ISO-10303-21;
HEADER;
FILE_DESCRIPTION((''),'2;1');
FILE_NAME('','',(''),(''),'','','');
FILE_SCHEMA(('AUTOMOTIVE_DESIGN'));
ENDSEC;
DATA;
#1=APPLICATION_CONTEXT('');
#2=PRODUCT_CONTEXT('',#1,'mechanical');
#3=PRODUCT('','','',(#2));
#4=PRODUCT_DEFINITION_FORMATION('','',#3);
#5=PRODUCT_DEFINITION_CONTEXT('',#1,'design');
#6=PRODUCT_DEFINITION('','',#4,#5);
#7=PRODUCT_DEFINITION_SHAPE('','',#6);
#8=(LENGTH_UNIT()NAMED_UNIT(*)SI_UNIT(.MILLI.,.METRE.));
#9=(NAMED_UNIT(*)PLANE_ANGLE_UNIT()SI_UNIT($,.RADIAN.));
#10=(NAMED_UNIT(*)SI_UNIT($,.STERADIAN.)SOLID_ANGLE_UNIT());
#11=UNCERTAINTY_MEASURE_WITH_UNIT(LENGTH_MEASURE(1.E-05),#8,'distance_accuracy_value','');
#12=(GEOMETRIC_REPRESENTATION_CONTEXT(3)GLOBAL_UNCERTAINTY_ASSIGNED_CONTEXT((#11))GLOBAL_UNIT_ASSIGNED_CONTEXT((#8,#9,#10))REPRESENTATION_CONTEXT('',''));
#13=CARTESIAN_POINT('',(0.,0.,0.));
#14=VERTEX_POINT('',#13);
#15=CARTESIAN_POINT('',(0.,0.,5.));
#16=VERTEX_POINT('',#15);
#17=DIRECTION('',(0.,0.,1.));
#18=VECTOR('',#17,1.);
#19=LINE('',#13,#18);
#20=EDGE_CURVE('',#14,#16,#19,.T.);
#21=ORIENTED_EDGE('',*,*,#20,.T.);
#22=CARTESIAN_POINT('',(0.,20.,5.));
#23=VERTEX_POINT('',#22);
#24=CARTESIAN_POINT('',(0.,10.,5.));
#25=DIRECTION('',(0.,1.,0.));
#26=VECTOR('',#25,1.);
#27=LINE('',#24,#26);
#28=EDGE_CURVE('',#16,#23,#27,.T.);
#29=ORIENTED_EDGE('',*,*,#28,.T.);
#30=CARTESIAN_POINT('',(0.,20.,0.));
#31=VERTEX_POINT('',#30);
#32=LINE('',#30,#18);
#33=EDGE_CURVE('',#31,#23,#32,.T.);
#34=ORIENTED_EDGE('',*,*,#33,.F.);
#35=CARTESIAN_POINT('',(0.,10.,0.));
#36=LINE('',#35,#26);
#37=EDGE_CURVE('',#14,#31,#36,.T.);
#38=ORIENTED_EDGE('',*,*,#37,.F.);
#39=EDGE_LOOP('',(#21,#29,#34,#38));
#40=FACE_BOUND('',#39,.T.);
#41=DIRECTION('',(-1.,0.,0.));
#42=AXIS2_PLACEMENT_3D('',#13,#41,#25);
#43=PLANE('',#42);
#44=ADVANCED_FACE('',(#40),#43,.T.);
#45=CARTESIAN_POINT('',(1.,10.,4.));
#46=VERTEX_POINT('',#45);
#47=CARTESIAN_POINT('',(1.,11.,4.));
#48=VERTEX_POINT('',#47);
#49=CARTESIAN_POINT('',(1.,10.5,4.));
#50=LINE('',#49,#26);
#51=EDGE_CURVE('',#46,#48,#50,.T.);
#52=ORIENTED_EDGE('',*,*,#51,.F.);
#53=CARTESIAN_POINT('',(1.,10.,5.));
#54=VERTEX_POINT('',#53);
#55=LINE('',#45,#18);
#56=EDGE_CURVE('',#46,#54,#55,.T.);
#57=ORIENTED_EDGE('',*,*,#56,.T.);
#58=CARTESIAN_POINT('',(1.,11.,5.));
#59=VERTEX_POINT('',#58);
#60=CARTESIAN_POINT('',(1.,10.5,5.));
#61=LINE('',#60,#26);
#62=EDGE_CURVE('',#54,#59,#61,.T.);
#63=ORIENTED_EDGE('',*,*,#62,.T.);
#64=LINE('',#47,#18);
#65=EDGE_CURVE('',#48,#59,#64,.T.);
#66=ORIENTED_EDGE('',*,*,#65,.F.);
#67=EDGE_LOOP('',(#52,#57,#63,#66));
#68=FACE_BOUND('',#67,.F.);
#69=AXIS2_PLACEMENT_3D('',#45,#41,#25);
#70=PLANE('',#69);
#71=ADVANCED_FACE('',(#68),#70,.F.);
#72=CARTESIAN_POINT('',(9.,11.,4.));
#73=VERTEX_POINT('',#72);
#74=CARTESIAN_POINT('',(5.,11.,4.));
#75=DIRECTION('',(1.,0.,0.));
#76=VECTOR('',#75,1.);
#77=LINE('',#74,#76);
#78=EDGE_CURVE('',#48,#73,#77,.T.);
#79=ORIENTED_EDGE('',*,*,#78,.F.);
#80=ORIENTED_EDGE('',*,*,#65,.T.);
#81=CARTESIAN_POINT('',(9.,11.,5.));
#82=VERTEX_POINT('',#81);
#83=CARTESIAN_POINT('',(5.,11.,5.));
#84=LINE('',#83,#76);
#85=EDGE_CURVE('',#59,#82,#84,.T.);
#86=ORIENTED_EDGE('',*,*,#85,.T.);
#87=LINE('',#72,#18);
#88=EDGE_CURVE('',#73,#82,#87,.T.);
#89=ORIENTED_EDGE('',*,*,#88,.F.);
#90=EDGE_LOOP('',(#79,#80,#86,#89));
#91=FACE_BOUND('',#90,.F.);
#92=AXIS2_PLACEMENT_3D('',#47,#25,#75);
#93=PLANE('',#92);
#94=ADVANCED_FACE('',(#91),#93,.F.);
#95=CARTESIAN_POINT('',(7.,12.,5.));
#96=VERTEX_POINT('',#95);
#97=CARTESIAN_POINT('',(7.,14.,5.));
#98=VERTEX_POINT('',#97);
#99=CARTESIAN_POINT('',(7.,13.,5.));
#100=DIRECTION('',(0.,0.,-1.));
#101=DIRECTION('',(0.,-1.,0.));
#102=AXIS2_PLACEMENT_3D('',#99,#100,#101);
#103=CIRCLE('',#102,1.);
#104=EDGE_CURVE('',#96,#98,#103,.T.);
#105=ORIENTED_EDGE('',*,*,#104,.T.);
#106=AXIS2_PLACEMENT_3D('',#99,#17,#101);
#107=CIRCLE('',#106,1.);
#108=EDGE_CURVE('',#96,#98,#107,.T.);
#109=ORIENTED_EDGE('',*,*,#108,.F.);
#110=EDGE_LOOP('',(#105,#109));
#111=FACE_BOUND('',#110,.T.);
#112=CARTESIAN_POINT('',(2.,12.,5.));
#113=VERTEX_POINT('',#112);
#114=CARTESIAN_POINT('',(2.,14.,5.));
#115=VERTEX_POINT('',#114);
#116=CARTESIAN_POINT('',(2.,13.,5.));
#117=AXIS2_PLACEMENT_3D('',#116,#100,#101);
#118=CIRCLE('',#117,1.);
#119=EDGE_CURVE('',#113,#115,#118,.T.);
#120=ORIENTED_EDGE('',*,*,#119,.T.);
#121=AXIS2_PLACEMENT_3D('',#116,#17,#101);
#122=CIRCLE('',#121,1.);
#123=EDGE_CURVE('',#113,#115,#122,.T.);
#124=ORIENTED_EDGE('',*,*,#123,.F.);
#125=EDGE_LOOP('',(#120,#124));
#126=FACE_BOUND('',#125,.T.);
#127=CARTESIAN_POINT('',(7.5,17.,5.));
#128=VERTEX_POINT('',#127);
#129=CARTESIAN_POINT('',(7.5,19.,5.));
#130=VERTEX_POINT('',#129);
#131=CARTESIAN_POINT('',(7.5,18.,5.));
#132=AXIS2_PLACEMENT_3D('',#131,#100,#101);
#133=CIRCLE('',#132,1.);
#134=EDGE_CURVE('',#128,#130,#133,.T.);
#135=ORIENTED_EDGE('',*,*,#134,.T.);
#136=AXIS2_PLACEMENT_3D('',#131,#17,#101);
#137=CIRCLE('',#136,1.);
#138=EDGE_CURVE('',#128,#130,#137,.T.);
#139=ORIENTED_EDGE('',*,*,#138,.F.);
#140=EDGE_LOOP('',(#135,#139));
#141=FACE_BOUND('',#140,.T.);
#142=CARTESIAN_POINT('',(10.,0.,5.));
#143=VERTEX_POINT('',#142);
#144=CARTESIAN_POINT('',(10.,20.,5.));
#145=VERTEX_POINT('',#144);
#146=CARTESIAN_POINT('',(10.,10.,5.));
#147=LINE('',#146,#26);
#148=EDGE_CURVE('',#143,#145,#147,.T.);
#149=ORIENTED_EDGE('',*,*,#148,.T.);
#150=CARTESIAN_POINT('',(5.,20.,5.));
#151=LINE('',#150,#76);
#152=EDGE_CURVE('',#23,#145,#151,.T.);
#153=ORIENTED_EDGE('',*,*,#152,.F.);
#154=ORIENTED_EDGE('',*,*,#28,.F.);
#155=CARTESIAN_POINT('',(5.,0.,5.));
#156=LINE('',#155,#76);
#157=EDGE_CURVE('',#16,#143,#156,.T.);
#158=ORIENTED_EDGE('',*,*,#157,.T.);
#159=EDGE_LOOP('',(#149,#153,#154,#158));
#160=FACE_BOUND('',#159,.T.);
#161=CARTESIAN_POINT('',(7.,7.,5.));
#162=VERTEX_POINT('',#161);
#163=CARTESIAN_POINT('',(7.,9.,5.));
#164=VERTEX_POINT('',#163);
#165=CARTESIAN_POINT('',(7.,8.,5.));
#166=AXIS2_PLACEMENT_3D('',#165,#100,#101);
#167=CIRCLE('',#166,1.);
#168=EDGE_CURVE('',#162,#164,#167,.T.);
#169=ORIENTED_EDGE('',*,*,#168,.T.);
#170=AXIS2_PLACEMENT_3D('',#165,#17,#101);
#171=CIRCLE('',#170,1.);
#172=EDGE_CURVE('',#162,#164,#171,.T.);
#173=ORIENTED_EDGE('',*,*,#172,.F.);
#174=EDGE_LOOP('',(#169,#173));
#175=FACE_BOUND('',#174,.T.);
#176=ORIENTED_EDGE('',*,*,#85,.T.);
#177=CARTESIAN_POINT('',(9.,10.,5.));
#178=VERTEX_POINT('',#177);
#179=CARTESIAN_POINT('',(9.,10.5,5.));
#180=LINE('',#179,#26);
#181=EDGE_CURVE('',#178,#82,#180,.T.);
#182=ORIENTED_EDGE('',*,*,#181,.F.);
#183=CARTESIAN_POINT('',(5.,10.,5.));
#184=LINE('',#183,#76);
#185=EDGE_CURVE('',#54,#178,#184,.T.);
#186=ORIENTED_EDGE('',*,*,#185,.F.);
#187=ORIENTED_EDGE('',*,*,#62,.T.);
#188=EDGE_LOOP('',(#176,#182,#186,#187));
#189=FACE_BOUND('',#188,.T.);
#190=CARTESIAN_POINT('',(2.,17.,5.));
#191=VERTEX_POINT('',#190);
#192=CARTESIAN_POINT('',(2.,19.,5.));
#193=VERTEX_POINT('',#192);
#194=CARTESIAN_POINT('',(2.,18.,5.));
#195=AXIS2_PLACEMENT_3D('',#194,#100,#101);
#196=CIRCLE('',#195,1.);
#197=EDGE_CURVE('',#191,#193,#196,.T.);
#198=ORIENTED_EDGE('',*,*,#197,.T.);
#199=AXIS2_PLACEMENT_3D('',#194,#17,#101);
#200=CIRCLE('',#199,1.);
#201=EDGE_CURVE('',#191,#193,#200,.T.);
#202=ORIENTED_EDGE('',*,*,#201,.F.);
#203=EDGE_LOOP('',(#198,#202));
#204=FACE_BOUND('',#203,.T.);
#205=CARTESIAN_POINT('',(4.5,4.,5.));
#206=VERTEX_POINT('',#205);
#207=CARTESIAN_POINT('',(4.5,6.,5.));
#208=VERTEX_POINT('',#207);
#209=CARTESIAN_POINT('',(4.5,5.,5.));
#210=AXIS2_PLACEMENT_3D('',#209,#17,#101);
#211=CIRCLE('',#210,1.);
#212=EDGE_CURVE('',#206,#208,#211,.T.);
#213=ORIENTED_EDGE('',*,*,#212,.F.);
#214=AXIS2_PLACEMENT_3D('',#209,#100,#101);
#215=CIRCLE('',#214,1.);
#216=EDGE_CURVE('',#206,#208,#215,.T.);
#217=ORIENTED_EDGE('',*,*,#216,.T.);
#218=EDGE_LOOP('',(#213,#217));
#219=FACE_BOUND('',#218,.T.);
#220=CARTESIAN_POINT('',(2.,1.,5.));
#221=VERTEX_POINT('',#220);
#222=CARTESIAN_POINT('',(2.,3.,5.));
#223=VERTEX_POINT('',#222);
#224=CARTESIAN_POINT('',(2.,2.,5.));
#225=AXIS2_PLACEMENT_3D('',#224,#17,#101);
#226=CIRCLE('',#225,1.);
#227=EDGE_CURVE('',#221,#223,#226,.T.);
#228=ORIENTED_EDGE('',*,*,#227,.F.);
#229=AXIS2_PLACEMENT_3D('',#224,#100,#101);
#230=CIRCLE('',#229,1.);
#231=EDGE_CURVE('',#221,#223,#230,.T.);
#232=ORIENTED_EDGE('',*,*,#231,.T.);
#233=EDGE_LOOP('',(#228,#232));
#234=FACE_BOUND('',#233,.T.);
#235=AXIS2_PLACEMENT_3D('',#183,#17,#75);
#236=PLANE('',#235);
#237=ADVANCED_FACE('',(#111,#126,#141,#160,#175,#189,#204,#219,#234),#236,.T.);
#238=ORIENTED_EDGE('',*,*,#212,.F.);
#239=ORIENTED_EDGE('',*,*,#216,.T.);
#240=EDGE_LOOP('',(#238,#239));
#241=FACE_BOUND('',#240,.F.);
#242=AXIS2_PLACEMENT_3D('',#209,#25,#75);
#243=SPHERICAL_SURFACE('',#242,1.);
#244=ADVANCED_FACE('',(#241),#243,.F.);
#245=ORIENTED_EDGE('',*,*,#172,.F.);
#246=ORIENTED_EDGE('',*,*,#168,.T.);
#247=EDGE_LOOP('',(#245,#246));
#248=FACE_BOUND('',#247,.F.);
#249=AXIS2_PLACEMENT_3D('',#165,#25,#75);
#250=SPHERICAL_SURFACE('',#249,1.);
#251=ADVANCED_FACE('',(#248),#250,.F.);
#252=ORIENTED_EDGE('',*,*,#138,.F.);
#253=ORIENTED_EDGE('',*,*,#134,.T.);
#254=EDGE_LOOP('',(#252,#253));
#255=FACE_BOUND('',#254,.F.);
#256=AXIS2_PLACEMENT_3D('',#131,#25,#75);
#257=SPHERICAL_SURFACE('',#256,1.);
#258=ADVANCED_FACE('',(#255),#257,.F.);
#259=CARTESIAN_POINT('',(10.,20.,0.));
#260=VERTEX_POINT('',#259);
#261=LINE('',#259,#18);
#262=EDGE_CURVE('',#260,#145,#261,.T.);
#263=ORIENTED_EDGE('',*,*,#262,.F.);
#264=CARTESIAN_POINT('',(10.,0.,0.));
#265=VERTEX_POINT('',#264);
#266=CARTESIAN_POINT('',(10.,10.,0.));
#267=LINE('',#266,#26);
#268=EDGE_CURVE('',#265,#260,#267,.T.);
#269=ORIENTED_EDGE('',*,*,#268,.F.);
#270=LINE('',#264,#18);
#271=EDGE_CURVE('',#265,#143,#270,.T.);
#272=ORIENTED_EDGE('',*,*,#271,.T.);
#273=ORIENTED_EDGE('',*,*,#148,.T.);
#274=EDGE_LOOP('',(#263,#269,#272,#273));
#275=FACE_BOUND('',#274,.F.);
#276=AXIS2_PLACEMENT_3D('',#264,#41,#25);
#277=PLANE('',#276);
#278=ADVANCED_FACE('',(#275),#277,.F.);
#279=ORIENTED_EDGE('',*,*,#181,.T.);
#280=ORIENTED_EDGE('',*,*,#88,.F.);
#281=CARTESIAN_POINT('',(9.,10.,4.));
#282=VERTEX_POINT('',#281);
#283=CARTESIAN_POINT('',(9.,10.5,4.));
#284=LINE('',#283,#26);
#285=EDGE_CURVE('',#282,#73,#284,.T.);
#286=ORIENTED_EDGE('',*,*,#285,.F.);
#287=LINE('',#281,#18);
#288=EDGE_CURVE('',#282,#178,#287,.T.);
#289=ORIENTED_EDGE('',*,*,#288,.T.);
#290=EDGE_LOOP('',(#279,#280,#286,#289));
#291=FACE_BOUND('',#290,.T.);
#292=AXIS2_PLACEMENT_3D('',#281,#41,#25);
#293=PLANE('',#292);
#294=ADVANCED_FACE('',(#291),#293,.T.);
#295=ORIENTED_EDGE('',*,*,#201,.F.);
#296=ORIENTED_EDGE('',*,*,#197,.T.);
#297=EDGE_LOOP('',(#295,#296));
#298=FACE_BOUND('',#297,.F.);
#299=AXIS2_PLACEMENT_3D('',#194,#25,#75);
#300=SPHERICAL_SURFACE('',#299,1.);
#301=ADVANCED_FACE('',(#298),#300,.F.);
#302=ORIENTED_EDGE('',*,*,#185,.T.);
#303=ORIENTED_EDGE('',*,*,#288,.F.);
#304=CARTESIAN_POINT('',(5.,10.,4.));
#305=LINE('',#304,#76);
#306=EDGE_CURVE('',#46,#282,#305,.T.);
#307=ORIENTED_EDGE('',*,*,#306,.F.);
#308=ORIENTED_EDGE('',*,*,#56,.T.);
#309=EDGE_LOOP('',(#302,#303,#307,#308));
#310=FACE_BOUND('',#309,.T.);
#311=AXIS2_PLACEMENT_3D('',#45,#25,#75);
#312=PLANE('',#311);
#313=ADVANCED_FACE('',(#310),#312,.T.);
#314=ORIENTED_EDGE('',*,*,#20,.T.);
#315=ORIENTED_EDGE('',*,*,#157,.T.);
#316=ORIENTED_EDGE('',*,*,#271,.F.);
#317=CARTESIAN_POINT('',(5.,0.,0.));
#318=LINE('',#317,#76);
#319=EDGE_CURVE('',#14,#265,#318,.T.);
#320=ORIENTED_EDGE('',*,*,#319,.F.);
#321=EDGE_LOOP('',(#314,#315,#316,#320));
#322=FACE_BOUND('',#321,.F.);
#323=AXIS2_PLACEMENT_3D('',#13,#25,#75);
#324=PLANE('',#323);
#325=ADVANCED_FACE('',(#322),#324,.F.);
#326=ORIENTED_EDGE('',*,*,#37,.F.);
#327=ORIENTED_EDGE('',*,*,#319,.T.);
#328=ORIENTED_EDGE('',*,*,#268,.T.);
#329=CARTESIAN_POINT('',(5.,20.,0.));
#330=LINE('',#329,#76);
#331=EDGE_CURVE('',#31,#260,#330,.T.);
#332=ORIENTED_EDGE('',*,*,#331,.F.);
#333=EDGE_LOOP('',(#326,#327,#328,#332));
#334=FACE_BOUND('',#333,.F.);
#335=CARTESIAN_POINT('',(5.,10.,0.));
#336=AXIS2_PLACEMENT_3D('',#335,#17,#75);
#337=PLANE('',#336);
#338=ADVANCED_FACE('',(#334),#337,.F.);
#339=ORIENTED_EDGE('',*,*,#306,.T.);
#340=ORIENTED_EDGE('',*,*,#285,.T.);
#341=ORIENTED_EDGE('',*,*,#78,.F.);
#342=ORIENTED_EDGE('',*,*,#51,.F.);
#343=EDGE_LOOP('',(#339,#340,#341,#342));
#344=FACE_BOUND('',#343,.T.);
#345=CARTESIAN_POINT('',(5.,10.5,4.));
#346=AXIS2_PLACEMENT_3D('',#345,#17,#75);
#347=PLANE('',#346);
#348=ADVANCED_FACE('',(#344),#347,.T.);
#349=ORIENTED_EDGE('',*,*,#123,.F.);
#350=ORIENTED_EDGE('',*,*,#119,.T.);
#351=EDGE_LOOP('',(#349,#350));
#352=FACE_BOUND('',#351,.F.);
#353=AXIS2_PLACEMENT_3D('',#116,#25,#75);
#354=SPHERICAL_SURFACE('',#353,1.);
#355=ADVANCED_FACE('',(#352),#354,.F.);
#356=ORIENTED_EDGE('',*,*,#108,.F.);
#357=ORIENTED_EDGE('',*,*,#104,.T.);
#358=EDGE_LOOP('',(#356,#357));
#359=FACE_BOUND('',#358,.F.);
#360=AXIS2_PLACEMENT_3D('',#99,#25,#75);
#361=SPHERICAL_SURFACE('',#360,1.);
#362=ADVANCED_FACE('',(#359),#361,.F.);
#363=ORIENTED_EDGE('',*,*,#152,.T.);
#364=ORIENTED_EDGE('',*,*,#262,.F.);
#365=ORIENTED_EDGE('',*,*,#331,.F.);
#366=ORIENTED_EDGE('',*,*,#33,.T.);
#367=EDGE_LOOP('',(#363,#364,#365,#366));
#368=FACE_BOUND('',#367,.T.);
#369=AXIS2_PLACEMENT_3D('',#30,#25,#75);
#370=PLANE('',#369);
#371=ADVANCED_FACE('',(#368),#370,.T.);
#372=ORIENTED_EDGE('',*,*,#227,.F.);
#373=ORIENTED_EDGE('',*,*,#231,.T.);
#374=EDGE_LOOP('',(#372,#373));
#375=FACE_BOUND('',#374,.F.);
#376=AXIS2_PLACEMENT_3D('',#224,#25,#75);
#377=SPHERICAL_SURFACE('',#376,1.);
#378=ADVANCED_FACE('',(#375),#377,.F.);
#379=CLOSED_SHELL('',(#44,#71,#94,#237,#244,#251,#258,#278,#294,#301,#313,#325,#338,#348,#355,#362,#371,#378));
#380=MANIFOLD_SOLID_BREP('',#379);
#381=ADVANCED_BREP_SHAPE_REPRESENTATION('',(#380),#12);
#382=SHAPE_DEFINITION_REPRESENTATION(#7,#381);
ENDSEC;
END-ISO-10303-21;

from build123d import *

# Parameters (mm, degrees)
SPHERE_ANGLE    = 180
SPHERE002_ANGLE = 180
SPHERE001_ANGLE = 180
SPHERE003_ANGLE = 180
SPHERE004_ANGLE = 180
SPHERE005_ANGLE = 180
SPHERE006_ANGLE = 180
SPHERE007_ANGLE = 180
BOX001_W        = 8
BOX001_H        = 1
BOX001_DEPTH    = 1
BOX_W           = 10
BOX_H           = 20
BOX_DEPTH       = 5


with BuildPart() as esfera:
    # Sphere → Sphere (revolve)
    with BuildSketch(Plane(origin=(2, 2, 5), x_dir=(1, 0, 0), z_dir=(0, 0, 1))):
        with BuildLine():
            ThreePointArc((0, -1), (1, 0), (0, 1))
            Line((0, 1), (0, -1))
        make_face()
    revolve(axis=Axis((2, 2, 5), (0, 1, 0)), revolution_arc=SPHERE_ANGLE)


with BuildPart() as esfera002:
    # Sphere002 → Sphere002 (revolve)
    with BuildSketch(Plane(origin=(7, 8, 5), x_dir=(1, 0, 0), z_dir=(0, 0, 1))):
        with BuildLine():
            ThreePointArc((0, -1), (1, 0), (0, 1))
            Line((0, 1), (0, -1))
        make_face()
    revolve(axis=Axis((7, 8, 5), (0, 1, 0)), revolution_arc=SPHERE002_ANGLE)


with BuildPart() as esfera001:
    # Sphere001 → Sphere001 (revolve)
    with BuildSketch(Plane(origin=(4.5, 5, 5), x_dir=(1, 0, 0), z_dir=(0, 0, 1))):
        with BuildLine():
            ThreePointArc((0, -1), (1, 0), (0, 1))
            Line((0, 1), (0, -1))
        make_face()
    revolve(axis=Axis((4.5, 5, 5), (0, 1, 0)), revolution_arc=SPHERE001_ANGLE)


with BuildPart() as esfera003:
    # Sphere003 → Sphere003 (revolve)
    with BuildSketch(Plane(origin=(4.5, 5, 5), x_dir=(1, 0, 0), z_dir=(0, 0, 1))):
        with BuildLine():
            ThreePointArc((0, -1), (1, 0), (0, 1))
            Line((0, 1), (0, -1))
        make_face()
    revolve(axis=Axis((4.5, 5, 5), (0, 1, 0)), revolution_arc=SPHERE003_ANGLE)


with BuildPart() as esfera004:
    # Sphere004 → Sphere004 (revolve)
    with BuildSketch(Plane(origin=(7.5, 18, 5), x_dir=(1, 0, 0), z_dir=(0, 0, 1))):
        with BuildLine():
            ThreePointArc((0, -1), (1, 0), (0, 1))
            Line((0, 1), (0, -1))
        make_face()
    revolve(axis=Axis((7.5, 18, 5), (0, 1, 0)), revolution_arc=SPHERE004_ANGLE)


with BuildPart() as esfera005:
    # Sphere005 → Sphere005 (revolve)
    with BuildSketch(Plane(origin=(2, 18, 5), x_dir=(1, 0, 0), z_dir=(0, 0, 1))):
        with BuildLine():
            ThreePointArc((0, -1), (1, 0), (0, 1))
            Line((0, 1), (0, -1))
        make_face()
    revolve(axis=Axis((2, 18, 5), (0, 1, 0)), revolution_arc=SPHERE005_ANGLE)


with BuildPart() as esfera006:
    # Sphere006 → Sphere006 (revolve)
    with BuildSketch(Plane(origin=(2, 13, 5), x_dir=(1, 0, 0), z_dir=(0, 0, 1))):
        with BuildLine():
            ThreePointArc((0, -1), (1, 0), (0, 1))
            Line((0, 1), (0, -1))
        make_face()
    revolve(axis=Axis((2, 13, 5), (0, 1, 0)), revolution_arc=SPHERE006_ANGLE)


with BuildPart() as esfera007:
    # Sphere007 → Sphere007 (revolve)
    with BuildSketch(Plane(origin=(7, 13, 5), x_dir=(1, 0, 0), z_dir=(0, 0, 1))):
        with BuildLine():
            ThreePointArc((0, -1), (1, 0), (0, 1))
            Line((0, 1), (0, -1))
        make_face()
    revolve(axis=Axis((7, 13, 5), (0, 1, 0)), revolution_arc=SPHERE007_ANGLE)


with BuildPart() as fusion:
    # Box001 → Box001 (new body)
    with BuildSketch(Plane(origin=(1, 10, 4), x_dir=(1, 0, 0), z_dir=(0, 0, 1))):
        with Locations((4, 0.5)):
            Rectangle(BOX001_W, BOX001_H)
    extrude(amount=BOX001_DEPTH)

    # Fusion: union Esfera, Esfera002, Esfera001, Esfera003, Esfera004, Esfera005, Esfera006, Esfera007
    add(esfera.part)
    add(esfera002.part)
    add(esfera001.part)
    add(esfera003.part)
    add(esfera004.part)
    add(esfera005.part)
    add(esfera006.part)
    add(esfera007.part)


with BuildPart() as cut:
    # Box → Box (new body)
    with BuildSketch(Plane.XY):
        with Locations((5, 10)):
            Rectangle(BOX_W, BOX_H)
    extrude(amount=BOX_DEPTH)

    # Cut: cut Fusion
    add(fusion.part, mode=Mode.SUBTRACT)


solid = cut.part
